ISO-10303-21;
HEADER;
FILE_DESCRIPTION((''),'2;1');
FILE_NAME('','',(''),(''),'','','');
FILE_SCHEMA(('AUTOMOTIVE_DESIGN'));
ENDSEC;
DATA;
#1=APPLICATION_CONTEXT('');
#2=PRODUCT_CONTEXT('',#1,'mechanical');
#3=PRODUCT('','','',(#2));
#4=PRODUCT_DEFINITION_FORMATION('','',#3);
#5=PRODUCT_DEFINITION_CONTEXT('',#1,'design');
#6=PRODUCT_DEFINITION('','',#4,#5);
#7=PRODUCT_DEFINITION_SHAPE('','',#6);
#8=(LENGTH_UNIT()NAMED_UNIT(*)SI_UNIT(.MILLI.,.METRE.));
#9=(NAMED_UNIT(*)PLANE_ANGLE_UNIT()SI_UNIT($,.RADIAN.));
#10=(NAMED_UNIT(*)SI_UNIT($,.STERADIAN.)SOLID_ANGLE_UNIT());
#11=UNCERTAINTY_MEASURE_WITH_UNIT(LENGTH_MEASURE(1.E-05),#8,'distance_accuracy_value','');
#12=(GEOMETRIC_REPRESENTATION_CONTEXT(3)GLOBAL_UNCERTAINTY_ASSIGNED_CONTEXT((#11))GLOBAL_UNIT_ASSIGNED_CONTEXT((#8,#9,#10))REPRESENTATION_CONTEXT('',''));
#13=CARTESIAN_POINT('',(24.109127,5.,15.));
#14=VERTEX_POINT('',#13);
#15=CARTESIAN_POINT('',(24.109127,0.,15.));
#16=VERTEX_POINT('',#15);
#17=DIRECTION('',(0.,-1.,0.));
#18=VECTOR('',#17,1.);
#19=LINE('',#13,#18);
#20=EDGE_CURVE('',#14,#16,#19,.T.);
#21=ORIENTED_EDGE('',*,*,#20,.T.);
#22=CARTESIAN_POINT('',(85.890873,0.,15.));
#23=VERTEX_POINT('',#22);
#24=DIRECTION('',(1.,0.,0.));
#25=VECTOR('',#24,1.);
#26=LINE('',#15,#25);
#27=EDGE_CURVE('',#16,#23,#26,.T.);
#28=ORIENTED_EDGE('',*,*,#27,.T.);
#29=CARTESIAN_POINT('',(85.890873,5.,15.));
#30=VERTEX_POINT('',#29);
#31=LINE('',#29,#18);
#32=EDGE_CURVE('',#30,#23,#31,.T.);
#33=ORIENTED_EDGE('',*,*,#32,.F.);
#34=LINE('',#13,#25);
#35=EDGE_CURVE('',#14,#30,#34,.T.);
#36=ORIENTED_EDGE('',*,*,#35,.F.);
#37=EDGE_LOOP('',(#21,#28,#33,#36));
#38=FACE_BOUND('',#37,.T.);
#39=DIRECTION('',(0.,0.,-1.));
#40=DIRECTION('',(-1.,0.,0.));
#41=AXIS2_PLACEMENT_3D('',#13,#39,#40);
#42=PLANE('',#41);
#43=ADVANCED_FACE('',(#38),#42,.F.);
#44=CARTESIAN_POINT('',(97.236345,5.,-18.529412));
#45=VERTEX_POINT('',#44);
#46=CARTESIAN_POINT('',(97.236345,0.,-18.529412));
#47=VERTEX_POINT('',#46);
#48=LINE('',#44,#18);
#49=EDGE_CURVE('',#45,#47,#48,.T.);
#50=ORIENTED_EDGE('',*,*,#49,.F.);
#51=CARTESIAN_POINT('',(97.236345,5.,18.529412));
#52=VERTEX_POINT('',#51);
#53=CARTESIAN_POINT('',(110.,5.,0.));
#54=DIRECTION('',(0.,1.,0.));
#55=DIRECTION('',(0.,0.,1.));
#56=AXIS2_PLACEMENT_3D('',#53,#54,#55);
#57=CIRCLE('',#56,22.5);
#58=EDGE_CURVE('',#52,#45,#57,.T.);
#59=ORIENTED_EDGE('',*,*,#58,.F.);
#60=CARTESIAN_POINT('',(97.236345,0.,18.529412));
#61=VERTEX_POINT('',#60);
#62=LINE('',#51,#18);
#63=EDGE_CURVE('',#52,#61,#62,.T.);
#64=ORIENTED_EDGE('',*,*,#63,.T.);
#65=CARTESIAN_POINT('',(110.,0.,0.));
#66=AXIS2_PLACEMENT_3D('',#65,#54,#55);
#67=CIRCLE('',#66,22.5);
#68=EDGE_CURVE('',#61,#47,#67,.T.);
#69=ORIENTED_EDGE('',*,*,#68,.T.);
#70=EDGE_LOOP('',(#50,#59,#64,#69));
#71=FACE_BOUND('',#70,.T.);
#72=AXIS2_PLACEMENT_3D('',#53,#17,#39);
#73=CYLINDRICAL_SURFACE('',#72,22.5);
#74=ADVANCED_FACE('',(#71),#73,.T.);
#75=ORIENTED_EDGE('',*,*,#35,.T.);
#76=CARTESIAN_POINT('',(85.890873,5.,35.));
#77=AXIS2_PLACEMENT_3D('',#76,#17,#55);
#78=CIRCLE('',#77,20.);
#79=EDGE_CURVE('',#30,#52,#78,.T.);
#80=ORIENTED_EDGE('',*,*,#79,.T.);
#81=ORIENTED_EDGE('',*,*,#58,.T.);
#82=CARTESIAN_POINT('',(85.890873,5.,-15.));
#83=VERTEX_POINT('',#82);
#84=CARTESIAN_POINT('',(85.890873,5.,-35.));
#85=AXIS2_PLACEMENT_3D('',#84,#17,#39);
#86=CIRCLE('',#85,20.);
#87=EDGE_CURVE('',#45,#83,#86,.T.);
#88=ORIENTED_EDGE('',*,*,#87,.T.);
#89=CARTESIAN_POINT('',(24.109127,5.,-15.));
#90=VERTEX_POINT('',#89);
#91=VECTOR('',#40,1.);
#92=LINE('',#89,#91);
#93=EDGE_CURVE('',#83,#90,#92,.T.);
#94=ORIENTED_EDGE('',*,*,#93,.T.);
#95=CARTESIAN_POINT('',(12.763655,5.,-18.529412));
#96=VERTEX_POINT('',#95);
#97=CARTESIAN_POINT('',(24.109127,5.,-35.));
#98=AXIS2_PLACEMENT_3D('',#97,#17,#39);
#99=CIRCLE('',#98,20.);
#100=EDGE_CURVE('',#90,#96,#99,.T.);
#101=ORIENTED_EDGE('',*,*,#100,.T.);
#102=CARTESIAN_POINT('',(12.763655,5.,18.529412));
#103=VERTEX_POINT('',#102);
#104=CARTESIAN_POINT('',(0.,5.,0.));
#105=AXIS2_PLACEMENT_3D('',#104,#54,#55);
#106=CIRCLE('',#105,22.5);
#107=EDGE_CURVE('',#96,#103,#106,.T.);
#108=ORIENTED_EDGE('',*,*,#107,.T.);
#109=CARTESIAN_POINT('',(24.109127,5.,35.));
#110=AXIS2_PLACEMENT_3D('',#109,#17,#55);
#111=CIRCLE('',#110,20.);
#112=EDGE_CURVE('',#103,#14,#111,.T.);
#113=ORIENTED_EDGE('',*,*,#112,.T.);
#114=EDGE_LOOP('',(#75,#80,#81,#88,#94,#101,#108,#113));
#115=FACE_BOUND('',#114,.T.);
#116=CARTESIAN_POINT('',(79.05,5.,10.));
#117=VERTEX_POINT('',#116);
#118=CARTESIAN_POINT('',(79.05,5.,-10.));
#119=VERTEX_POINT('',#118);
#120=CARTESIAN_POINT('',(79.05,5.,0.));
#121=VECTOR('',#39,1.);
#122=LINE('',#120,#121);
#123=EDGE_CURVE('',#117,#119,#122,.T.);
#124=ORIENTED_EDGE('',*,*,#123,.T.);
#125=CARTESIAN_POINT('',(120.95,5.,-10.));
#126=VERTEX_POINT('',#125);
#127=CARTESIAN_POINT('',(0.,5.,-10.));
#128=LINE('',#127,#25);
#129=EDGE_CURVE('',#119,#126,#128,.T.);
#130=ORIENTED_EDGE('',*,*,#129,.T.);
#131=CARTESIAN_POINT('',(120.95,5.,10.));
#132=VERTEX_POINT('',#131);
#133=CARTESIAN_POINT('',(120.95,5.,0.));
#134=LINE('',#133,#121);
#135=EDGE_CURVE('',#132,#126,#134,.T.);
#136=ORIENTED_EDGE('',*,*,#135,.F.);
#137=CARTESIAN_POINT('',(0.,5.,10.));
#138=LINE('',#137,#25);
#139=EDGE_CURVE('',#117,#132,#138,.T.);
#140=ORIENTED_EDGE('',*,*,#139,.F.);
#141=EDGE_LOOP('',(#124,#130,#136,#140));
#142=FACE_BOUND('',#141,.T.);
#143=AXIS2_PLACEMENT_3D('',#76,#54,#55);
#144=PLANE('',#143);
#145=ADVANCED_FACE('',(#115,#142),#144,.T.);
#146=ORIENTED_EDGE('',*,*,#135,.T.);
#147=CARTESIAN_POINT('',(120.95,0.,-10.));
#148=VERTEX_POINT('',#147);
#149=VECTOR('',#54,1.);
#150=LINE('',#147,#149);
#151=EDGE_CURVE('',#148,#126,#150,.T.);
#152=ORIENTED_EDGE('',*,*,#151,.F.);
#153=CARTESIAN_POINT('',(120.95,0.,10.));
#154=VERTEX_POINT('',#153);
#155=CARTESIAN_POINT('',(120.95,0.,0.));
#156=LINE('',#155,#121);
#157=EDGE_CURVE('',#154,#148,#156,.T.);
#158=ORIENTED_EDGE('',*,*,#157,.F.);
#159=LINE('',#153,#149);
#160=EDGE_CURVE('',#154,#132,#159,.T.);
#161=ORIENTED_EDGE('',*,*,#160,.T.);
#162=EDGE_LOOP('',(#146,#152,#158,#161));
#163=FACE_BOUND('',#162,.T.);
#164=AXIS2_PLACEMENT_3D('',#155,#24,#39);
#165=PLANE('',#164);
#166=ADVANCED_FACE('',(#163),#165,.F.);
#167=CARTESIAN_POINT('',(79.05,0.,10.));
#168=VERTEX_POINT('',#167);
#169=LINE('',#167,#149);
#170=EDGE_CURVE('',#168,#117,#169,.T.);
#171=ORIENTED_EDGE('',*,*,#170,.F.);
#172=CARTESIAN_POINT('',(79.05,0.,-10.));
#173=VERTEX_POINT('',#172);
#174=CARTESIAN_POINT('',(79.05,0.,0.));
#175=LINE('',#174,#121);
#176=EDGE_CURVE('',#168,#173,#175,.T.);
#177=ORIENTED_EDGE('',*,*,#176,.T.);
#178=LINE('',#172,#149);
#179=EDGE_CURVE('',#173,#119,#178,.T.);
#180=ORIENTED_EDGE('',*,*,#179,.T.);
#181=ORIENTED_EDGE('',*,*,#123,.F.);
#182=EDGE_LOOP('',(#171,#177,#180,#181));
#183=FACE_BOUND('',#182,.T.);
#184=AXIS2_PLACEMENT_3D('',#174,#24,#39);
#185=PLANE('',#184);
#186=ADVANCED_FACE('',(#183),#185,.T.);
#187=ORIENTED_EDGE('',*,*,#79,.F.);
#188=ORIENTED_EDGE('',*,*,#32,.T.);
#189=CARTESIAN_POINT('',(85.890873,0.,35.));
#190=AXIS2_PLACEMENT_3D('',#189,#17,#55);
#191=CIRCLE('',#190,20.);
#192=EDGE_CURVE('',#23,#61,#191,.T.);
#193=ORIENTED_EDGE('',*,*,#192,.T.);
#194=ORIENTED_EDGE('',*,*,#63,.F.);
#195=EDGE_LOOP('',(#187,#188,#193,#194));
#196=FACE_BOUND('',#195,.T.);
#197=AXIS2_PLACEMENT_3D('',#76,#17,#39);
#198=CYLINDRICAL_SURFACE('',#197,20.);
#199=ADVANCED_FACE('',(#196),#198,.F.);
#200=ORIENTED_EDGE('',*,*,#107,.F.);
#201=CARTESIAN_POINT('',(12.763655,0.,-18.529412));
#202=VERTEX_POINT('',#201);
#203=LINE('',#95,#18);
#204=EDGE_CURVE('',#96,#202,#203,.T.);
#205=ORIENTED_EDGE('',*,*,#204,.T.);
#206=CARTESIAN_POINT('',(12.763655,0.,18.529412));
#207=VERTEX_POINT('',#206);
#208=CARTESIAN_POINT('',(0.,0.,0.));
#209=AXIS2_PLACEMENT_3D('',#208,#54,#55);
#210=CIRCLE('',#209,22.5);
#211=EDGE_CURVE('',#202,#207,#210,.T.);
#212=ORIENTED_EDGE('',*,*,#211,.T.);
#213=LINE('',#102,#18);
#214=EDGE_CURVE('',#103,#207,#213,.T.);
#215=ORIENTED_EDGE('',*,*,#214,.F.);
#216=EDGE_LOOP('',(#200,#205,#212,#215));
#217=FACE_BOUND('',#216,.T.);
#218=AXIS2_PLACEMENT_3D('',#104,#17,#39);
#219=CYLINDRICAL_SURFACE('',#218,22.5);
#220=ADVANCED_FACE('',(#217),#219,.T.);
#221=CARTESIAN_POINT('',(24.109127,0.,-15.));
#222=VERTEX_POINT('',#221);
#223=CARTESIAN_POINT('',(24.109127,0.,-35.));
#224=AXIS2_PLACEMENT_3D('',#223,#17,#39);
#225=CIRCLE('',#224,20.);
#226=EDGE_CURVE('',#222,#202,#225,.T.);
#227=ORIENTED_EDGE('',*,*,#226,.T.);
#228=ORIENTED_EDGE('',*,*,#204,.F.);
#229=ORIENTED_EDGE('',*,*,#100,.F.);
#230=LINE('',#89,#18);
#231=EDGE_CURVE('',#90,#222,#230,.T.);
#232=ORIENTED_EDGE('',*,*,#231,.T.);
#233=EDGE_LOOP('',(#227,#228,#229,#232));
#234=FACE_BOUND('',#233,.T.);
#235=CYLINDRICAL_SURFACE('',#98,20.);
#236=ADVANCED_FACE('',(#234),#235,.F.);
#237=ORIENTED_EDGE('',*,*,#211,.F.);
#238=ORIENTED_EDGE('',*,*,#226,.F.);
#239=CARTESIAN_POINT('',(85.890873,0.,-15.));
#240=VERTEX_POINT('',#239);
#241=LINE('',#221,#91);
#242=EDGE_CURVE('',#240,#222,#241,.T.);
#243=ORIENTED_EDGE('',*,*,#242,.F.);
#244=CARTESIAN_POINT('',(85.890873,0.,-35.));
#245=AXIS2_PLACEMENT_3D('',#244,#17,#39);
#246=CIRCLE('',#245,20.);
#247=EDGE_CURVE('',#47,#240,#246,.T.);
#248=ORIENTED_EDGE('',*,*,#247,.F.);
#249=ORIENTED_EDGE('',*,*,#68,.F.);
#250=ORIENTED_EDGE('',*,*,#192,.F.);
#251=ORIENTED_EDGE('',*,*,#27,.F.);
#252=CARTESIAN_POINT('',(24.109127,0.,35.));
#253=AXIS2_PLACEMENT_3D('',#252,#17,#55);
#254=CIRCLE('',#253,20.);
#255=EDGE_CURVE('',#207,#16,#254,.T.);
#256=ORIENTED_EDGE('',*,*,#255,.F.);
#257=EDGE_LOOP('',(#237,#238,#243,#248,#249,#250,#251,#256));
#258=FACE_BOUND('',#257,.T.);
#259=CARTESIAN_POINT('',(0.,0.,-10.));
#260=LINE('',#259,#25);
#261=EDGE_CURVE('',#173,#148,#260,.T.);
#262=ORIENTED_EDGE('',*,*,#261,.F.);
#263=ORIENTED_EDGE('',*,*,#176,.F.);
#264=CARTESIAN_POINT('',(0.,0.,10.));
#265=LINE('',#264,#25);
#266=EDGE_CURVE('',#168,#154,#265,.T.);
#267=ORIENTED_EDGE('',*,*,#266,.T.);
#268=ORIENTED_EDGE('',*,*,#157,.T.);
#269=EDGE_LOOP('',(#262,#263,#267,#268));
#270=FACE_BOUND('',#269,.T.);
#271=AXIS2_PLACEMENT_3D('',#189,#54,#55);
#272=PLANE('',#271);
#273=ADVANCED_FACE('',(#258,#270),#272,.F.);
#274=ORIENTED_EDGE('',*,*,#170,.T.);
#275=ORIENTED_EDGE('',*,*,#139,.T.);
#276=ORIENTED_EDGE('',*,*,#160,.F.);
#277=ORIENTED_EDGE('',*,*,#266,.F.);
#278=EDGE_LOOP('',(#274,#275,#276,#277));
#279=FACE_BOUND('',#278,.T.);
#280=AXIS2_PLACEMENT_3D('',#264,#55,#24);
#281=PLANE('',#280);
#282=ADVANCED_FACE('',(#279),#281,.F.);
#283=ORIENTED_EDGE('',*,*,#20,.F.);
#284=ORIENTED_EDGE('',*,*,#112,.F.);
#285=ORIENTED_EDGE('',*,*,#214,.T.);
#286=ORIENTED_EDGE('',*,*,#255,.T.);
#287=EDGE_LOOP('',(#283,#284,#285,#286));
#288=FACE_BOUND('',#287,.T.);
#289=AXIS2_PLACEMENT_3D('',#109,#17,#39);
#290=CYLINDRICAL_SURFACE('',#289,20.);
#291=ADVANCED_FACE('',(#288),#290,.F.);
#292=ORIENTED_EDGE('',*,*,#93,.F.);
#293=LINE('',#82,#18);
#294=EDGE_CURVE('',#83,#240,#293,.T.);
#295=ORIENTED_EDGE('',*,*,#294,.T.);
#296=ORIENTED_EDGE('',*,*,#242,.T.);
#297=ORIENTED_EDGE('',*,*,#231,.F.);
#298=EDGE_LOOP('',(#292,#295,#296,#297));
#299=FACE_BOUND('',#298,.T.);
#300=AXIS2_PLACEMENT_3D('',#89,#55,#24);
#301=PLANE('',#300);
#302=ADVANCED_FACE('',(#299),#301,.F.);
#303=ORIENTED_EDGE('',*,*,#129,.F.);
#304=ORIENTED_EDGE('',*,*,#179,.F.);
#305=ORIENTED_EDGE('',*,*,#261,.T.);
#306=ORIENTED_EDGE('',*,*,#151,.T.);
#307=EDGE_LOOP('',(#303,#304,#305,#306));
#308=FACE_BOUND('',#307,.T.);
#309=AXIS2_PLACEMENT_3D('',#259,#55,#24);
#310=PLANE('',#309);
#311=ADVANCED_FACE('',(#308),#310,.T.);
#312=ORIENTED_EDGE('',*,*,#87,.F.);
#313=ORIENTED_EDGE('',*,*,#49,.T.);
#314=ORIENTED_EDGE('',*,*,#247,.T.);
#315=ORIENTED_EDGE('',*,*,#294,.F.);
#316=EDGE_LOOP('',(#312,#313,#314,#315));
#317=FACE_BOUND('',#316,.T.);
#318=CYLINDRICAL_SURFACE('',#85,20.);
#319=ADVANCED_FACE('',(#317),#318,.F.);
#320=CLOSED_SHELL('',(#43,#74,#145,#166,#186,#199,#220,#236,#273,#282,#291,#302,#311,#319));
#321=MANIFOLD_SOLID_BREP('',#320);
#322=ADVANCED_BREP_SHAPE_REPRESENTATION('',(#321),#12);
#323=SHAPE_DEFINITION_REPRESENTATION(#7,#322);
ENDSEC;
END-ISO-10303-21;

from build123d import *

# Parameters (mm, degrees)
BOSS_EXTRUDE1_DEPTH = 5
SKETCH3_W           = 41.9
SKETCH3_H           = 20
CUT_EXTRUDE1_DEPTH  = 135.489776563


with BuildPart() as part:
    # Sketch2 → Boss-Extrude1 (new body)
    with BuildSketch(Plane(origin=(0, 0, 0), x_dir=(1, 0, 0), z_dir=(0, 1, 0))):
        with BuildLine():
            Line((24.109126902, 15), (85.890873098, 15))
            ThreePointArc((85.890873098, 15), (91.831758355, 15.902725787), (97.236344581, 18.529411765))
            ThreePointArc((97.236344581, 18.529411765), (132.5, 0), (97.236344581, -18.529411765))
            ThreePointArc((97.236344581, -18.529411765), (91.831758355, -15.902725787), (85.890873098, -15))
            Line((85.890873098, -15), (24.109126902, -15))
            ThreePointArc((24.109126902, -15), (18.168241645, -15.902725787), (12.763655419, -18.529411765))
            ThreePointArc((12.763655419, -18.529411765), (-22.5, 0), (12.763655419, 18.529411765))
            ThreePointArc((12.763655419, 18.529411765), (18.168241645, 15.902725787), (24.109126902, 15))
        make_face()
    extrude(amount=BOSS_EXTRUDE1_DEPTH)

    # Sketch3 → Cut-Extrude1 (cut, through all)
    with BuildSketch(Plane(origin=(0, 5, 0), x_dir=(1, 0, 0), z_dir=(0, 1, 0))):
        with Locations((100, 0)):
            Rectangle(SKETCH3_W, SKETCH3_H)
    extrude(amount=-CUT_EXTRUDE1_DEPTH, mode=Mode.SUBTRACT)


solid = part.part
